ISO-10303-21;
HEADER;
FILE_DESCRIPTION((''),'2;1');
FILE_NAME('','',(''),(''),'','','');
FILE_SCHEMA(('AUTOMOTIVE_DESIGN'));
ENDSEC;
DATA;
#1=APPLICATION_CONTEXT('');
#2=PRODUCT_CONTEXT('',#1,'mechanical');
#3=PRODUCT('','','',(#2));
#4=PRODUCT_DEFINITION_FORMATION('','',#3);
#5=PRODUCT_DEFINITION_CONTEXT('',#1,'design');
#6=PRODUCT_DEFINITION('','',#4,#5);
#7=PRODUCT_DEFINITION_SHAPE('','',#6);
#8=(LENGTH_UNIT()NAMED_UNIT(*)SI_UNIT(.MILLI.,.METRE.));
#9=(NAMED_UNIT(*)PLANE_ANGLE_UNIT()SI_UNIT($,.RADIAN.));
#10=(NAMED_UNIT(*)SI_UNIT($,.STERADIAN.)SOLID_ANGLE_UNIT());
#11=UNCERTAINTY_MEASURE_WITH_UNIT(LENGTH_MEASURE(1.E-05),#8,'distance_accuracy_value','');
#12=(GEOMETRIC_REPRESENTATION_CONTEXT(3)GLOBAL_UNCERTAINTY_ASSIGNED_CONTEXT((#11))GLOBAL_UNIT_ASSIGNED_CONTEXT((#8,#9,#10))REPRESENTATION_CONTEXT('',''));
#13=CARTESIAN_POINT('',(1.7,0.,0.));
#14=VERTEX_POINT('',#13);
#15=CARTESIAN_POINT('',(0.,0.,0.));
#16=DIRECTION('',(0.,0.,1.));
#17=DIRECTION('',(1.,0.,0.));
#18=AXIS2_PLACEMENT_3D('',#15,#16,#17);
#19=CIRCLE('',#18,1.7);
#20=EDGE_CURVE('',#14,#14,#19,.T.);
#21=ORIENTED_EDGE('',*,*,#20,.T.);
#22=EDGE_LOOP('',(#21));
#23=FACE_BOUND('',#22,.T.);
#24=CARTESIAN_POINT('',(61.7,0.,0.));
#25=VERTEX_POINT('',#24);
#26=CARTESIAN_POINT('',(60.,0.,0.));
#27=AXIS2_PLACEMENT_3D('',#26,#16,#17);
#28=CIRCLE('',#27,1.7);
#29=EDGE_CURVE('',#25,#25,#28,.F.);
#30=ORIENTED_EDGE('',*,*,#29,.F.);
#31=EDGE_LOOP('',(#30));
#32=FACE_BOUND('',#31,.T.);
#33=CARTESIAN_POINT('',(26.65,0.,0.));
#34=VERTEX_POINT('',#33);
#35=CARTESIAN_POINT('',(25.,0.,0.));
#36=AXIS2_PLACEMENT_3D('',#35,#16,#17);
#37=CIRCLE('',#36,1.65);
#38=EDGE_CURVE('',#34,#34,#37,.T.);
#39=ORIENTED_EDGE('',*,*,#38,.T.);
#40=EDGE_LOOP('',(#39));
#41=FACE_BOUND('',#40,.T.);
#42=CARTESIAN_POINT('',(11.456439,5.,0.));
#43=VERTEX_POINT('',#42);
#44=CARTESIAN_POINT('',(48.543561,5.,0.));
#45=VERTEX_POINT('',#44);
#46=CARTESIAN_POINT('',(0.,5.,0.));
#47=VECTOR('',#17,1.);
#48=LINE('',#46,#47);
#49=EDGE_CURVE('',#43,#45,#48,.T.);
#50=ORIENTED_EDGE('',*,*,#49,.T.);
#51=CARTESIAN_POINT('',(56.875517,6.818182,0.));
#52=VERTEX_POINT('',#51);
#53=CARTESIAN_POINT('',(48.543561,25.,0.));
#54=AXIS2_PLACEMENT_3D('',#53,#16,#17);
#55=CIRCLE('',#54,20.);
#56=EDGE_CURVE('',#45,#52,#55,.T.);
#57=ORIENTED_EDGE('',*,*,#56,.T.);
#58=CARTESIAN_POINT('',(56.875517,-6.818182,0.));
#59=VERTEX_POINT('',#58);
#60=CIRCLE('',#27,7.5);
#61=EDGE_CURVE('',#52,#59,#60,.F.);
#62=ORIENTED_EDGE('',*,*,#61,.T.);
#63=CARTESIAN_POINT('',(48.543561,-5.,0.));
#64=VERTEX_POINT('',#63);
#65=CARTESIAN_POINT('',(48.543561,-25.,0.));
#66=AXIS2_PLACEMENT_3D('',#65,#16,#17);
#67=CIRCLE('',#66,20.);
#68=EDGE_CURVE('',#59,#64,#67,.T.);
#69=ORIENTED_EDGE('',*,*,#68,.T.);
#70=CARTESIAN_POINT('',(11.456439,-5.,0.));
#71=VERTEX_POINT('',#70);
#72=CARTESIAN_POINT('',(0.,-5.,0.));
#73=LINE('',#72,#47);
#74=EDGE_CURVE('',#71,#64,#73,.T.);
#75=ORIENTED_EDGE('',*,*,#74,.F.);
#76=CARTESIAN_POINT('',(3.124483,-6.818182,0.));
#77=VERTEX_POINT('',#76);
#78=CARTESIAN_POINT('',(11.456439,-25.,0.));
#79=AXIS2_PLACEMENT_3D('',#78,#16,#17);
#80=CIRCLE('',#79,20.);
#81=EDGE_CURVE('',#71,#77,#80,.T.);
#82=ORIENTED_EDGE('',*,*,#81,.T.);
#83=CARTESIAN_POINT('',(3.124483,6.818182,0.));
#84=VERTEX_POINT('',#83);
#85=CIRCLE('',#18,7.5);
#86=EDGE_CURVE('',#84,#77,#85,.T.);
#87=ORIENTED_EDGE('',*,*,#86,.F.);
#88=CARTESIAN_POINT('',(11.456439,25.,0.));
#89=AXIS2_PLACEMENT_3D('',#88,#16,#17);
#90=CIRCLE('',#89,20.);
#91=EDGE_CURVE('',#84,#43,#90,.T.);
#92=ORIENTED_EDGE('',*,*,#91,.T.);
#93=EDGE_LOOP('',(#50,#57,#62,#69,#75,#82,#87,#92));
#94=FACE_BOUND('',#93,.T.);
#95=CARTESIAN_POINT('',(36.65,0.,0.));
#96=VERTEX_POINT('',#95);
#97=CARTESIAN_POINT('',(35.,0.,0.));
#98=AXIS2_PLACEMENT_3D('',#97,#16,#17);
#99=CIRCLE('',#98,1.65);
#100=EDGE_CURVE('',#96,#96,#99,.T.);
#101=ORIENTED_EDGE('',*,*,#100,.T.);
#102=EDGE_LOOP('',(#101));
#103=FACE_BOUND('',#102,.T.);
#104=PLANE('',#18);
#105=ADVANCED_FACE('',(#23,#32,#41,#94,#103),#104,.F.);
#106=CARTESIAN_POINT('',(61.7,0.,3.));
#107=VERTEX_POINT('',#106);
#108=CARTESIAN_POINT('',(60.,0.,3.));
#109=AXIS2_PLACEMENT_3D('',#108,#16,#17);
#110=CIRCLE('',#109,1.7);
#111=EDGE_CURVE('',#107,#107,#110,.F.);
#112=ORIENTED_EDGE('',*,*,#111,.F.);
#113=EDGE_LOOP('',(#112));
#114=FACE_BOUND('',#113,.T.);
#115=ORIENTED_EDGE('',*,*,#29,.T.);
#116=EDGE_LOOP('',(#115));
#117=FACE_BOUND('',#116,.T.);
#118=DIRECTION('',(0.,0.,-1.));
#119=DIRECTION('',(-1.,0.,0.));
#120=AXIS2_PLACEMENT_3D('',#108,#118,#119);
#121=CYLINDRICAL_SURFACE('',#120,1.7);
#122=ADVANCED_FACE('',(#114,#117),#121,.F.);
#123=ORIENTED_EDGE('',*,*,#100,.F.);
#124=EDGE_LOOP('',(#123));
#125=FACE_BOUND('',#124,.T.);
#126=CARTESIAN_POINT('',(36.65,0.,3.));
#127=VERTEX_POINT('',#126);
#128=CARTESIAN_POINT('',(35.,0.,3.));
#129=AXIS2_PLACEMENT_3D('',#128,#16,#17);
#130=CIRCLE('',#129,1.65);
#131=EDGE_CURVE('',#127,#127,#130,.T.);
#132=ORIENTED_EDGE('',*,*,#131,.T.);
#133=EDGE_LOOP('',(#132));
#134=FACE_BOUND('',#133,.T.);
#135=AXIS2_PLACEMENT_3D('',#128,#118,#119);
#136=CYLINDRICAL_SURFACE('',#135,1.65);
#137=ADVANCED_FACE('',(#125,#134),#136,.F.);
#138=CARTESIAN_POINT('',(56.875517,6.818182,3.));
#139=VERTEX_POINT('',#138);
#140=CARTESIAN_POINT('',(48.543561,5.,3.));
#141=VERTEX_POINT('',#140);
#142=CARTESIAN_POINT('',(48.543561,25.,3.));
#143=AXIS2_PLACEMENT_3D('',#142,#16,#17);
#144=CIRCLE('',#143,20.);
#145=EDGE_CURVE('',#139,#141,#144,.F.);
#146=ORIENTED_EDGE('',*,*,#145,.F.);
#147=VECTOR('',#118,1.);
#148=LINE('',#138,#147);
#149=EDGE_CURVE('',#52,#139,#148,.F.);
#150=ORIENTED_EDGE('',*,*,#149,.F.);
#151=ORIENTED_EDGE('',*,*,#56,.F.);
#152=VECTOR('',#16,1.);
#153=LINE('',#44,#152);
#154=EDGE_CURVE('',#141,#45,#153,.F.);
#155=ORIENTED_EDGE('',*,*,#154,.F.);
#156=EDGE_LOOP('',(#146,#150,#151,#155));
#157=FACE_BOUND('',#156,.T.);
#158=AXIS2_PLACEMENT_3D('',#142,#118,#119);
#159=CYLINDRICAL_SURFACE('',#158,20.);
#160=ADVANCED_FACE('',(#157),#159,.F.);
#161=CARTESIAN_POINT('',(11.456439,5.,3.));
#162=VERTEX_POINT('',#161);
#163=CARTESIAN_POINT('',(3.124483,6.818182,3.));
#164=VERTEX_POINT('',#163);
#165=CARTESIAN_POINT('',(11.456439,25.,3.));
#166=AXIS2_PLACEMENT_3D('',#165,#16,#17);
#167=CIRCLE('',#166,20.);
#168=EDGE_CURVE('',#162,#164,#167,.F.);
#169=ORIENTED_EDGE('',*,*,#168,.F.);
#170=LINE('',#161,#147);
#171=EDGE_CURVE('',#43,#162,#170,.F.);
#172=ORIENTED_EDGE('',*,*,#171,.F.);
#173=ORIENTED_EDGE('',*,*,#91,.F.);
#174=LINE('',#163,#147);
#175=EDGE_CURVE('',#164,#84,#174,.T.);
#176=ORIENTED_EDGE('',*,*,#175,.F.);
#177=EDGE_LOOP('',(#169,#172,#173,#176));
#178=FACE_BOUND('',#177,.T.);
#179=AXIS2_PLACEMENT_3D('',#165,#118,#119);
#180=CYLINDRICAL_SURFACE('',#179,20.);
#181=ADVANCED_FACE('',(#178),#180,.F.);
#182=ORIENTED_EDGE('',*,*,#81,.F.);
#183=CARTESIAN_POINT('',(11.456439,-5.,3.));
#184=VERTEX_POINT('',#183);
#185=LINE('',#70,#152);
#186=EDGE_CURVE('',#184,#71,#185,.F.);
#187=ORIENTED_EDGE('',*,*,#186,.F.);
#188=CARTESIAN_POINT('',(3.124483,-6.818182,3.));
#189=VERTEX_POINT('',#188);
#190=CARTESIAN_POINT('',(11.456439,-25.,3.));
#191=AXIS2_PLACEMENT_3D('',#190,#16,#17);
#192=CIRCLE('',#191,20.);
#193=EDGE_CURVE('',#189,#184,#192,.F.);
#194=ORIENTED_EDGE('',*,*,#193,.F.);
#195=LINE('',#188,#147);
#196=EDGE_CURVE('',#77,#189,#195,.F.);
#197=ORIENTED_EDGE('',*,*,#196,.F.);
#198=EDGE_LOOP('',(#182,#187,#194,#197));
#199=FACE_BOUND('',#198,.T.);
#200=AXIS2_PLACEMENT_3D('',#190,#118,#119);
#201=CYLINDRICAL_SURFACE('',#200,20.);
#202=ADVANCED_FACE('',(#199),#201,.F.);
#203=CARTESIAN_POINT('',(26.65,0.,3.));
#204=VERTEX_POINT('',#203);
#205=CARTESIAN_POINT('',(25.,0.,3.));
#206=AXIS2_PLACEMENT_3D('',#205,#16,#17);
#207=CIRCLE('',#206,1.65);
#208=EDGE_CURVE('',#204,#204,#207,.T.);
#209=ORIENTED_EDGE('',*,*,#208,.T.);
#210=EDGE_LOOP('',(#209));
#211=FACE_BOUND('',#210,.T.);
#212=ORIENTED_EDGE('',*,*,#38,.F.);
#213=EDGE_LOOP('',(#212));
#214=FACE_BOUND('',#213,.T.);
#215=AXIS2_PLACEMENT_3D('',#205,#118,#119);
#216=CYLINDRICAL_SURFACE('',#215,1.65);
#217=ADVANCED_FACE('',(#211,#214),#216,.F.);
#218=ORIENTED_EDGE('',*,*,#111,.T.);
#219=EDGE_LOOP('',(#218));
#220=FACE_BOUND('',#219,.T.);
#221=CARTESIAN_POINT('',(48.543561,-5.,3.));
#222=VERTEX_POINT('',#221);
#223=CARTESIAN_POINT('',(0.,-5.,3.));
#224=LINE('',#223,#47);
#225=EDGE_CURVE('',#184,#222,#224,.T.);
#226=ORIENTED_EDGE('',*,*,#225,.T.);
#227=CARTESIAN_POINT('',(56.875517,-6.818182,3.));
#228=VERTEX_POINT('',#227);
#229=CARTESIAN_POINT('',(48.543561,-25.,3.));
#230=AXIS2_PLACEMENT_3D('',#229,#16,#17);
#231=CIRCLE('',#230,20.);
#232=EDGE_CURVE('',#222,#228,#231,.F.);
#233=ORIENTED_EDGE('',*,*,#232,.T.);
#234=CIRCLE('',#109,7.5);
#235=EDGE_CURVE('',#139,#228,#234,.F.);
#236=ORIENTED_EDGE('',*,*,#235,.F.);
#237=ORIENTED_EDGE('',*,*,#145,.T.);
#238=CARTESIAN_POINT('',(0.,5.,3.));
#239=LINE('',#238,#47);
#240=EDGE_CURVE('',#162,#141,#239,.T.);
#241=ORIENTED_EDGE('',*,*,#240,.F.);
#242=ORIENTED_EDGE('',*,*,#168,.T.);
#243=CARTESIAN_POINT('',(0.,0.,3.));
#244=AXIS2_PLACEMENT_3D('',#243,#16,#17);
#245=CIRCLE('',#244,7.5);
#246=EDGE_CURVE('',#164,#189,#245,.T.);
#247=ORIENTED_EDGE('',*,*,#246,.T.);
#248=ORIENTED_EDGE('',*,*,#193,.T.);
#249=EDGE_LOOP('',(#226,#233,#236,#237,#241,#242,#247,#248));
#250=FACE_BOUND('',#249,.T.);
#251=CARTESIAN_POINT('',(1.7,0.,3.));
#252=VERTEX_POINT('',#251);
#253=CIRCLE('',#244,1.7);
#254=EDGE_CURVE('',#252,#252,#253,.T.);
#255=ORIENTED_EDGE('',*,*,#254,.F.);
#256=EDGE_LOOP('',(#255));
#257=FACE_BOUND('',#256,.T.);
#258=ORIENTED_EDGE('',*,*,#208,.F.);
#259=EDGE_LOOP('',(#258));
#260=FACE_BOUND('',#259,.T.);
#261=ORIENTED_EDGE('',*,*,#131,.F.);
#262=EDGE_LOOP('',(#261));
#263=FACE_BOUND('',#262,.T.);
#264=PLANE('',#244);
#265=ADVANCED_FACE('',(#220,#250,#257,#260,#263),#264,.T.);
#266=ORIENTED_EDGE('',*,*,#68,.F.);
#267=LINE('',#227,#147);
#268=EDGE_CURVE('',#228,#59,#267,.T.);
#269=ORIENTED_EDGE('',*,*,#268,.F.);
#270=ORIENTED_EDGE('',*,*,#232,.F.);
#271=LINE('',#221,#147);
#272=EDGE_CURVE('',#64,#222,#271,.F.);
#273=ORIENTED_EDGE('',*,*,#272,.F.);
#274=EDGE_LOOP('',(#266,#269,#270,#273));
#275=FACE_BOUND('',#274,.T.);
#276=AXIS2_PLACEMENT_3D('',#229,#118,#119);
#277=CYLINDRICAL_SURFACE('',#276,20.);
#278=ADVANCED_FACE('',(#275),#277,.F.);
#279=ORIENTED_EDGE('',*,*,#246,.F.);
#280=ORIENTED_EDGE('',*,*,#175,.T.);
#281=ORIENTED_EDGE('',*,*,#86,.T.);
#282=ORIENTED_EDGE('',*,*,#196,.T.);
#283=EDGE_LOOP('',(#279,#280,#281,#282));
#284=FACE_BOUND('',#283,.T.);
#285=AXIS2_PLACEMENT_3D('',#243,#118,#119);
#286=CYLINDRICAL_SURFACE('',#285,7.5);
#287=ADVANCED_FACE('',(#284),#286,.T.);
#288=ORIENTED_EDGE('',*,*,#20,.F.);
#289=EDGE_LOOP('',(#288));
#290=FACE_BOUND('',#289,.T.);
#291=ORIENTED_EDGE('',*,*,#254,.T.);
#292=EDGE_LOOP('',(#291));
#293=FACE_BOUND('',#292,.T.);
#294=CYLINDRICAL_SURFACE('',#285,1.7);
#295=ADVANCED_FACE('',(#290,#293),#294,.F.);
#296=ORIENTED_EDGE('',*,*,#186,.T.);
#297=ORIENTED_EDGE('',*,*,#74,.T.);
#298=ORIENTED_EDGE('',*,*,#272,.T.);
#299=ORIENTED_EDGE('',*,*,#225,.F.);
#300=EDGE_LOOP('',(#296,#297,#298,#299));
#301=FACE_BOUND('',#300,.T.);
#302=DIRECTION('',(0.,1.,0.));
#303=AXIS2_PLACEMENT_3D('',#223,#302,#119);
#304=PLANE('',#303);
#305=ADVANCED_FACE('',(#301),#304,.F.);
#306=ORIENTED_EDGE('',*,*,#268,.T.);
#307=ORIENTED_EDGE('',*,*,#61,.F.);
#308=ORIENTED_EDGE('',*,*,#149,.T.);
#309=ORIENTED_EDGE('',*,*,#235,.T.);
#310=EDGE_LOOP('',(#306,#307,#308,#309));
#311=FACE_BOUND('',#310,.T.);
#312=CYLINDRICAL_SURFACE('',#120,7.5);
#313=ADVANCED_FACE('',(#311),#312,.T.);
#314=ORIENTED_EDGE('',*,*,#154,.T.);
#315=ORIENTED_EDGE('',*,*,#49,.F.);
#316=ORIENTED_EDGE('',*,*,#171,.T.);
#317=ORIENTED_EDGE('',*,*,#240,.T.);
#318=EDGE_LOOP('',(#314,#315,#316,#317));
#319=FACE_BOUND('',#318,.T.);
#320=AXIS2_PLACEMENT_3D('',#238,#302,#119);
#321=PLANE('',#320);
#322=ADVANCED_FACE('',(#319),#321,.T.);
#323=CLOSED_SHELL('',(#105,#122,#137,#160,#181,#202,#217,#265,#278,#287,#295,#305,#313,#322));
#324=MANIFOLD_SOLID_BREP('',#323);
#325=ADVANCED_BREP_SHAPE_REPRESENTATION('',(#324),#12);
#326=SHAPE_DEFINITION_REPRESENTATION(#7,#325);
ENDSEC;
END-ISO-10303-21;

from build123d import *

# Parameters (mm, degrees)
ESBO_O1_R                = 1.7
ESBO_O1_R_2              = 1.65
RESSALTO_EXTRUS_O1_DEPTH = 3
FILETE1_R                = 20


with BuildPart() as part:
    # Esboço1 → Ressalto-extrusão1 (new body)
    with BuildSketch(Plane.XY):
        with BuildLine():
            Line((5.590169944, -5), (54.409830056, -5))
            ThreePointArc((54.409830056, -5), (67.5, 0), (54.409830056, 5))
            Line((54.409830056, 5), (5.590169944, 5))
            ThreePointArc((5.590169944, 5), (-7.5, 0), (5.590169944, -5))
        make_face()
        Circle(ESBO_O1_R, mode=Mode.SUBTRACT)
        with Locations((25, 0)):
            Circle(ESBO_O1_R_2, mode=Mode.SUBTRACT)
        with Locations((35, 0)):
            Circle(ESBO_O1_R_2, mode=Mode.SUBTRACT)
        with Locations((60, 0)):
            Circle(ESBO_O1_R, mode=Mode.SUBTRACT)
    extrude(amount=RESSALTO_EXTRUS_O1_DEPTH)

    # Filete1
    filete1_edges = [part.edges().sort_by_distance(p)[0] for p in [
        (54.409830056, -5, 1.5),
        (5.590169944, -5, 1.5),
        (5.590169944, 5, 1.5),
        (54.409830056, 5, 1.5),
    ]]
    fillet(filete1_edges, radius=FILETE1_R)


solid = part.part
